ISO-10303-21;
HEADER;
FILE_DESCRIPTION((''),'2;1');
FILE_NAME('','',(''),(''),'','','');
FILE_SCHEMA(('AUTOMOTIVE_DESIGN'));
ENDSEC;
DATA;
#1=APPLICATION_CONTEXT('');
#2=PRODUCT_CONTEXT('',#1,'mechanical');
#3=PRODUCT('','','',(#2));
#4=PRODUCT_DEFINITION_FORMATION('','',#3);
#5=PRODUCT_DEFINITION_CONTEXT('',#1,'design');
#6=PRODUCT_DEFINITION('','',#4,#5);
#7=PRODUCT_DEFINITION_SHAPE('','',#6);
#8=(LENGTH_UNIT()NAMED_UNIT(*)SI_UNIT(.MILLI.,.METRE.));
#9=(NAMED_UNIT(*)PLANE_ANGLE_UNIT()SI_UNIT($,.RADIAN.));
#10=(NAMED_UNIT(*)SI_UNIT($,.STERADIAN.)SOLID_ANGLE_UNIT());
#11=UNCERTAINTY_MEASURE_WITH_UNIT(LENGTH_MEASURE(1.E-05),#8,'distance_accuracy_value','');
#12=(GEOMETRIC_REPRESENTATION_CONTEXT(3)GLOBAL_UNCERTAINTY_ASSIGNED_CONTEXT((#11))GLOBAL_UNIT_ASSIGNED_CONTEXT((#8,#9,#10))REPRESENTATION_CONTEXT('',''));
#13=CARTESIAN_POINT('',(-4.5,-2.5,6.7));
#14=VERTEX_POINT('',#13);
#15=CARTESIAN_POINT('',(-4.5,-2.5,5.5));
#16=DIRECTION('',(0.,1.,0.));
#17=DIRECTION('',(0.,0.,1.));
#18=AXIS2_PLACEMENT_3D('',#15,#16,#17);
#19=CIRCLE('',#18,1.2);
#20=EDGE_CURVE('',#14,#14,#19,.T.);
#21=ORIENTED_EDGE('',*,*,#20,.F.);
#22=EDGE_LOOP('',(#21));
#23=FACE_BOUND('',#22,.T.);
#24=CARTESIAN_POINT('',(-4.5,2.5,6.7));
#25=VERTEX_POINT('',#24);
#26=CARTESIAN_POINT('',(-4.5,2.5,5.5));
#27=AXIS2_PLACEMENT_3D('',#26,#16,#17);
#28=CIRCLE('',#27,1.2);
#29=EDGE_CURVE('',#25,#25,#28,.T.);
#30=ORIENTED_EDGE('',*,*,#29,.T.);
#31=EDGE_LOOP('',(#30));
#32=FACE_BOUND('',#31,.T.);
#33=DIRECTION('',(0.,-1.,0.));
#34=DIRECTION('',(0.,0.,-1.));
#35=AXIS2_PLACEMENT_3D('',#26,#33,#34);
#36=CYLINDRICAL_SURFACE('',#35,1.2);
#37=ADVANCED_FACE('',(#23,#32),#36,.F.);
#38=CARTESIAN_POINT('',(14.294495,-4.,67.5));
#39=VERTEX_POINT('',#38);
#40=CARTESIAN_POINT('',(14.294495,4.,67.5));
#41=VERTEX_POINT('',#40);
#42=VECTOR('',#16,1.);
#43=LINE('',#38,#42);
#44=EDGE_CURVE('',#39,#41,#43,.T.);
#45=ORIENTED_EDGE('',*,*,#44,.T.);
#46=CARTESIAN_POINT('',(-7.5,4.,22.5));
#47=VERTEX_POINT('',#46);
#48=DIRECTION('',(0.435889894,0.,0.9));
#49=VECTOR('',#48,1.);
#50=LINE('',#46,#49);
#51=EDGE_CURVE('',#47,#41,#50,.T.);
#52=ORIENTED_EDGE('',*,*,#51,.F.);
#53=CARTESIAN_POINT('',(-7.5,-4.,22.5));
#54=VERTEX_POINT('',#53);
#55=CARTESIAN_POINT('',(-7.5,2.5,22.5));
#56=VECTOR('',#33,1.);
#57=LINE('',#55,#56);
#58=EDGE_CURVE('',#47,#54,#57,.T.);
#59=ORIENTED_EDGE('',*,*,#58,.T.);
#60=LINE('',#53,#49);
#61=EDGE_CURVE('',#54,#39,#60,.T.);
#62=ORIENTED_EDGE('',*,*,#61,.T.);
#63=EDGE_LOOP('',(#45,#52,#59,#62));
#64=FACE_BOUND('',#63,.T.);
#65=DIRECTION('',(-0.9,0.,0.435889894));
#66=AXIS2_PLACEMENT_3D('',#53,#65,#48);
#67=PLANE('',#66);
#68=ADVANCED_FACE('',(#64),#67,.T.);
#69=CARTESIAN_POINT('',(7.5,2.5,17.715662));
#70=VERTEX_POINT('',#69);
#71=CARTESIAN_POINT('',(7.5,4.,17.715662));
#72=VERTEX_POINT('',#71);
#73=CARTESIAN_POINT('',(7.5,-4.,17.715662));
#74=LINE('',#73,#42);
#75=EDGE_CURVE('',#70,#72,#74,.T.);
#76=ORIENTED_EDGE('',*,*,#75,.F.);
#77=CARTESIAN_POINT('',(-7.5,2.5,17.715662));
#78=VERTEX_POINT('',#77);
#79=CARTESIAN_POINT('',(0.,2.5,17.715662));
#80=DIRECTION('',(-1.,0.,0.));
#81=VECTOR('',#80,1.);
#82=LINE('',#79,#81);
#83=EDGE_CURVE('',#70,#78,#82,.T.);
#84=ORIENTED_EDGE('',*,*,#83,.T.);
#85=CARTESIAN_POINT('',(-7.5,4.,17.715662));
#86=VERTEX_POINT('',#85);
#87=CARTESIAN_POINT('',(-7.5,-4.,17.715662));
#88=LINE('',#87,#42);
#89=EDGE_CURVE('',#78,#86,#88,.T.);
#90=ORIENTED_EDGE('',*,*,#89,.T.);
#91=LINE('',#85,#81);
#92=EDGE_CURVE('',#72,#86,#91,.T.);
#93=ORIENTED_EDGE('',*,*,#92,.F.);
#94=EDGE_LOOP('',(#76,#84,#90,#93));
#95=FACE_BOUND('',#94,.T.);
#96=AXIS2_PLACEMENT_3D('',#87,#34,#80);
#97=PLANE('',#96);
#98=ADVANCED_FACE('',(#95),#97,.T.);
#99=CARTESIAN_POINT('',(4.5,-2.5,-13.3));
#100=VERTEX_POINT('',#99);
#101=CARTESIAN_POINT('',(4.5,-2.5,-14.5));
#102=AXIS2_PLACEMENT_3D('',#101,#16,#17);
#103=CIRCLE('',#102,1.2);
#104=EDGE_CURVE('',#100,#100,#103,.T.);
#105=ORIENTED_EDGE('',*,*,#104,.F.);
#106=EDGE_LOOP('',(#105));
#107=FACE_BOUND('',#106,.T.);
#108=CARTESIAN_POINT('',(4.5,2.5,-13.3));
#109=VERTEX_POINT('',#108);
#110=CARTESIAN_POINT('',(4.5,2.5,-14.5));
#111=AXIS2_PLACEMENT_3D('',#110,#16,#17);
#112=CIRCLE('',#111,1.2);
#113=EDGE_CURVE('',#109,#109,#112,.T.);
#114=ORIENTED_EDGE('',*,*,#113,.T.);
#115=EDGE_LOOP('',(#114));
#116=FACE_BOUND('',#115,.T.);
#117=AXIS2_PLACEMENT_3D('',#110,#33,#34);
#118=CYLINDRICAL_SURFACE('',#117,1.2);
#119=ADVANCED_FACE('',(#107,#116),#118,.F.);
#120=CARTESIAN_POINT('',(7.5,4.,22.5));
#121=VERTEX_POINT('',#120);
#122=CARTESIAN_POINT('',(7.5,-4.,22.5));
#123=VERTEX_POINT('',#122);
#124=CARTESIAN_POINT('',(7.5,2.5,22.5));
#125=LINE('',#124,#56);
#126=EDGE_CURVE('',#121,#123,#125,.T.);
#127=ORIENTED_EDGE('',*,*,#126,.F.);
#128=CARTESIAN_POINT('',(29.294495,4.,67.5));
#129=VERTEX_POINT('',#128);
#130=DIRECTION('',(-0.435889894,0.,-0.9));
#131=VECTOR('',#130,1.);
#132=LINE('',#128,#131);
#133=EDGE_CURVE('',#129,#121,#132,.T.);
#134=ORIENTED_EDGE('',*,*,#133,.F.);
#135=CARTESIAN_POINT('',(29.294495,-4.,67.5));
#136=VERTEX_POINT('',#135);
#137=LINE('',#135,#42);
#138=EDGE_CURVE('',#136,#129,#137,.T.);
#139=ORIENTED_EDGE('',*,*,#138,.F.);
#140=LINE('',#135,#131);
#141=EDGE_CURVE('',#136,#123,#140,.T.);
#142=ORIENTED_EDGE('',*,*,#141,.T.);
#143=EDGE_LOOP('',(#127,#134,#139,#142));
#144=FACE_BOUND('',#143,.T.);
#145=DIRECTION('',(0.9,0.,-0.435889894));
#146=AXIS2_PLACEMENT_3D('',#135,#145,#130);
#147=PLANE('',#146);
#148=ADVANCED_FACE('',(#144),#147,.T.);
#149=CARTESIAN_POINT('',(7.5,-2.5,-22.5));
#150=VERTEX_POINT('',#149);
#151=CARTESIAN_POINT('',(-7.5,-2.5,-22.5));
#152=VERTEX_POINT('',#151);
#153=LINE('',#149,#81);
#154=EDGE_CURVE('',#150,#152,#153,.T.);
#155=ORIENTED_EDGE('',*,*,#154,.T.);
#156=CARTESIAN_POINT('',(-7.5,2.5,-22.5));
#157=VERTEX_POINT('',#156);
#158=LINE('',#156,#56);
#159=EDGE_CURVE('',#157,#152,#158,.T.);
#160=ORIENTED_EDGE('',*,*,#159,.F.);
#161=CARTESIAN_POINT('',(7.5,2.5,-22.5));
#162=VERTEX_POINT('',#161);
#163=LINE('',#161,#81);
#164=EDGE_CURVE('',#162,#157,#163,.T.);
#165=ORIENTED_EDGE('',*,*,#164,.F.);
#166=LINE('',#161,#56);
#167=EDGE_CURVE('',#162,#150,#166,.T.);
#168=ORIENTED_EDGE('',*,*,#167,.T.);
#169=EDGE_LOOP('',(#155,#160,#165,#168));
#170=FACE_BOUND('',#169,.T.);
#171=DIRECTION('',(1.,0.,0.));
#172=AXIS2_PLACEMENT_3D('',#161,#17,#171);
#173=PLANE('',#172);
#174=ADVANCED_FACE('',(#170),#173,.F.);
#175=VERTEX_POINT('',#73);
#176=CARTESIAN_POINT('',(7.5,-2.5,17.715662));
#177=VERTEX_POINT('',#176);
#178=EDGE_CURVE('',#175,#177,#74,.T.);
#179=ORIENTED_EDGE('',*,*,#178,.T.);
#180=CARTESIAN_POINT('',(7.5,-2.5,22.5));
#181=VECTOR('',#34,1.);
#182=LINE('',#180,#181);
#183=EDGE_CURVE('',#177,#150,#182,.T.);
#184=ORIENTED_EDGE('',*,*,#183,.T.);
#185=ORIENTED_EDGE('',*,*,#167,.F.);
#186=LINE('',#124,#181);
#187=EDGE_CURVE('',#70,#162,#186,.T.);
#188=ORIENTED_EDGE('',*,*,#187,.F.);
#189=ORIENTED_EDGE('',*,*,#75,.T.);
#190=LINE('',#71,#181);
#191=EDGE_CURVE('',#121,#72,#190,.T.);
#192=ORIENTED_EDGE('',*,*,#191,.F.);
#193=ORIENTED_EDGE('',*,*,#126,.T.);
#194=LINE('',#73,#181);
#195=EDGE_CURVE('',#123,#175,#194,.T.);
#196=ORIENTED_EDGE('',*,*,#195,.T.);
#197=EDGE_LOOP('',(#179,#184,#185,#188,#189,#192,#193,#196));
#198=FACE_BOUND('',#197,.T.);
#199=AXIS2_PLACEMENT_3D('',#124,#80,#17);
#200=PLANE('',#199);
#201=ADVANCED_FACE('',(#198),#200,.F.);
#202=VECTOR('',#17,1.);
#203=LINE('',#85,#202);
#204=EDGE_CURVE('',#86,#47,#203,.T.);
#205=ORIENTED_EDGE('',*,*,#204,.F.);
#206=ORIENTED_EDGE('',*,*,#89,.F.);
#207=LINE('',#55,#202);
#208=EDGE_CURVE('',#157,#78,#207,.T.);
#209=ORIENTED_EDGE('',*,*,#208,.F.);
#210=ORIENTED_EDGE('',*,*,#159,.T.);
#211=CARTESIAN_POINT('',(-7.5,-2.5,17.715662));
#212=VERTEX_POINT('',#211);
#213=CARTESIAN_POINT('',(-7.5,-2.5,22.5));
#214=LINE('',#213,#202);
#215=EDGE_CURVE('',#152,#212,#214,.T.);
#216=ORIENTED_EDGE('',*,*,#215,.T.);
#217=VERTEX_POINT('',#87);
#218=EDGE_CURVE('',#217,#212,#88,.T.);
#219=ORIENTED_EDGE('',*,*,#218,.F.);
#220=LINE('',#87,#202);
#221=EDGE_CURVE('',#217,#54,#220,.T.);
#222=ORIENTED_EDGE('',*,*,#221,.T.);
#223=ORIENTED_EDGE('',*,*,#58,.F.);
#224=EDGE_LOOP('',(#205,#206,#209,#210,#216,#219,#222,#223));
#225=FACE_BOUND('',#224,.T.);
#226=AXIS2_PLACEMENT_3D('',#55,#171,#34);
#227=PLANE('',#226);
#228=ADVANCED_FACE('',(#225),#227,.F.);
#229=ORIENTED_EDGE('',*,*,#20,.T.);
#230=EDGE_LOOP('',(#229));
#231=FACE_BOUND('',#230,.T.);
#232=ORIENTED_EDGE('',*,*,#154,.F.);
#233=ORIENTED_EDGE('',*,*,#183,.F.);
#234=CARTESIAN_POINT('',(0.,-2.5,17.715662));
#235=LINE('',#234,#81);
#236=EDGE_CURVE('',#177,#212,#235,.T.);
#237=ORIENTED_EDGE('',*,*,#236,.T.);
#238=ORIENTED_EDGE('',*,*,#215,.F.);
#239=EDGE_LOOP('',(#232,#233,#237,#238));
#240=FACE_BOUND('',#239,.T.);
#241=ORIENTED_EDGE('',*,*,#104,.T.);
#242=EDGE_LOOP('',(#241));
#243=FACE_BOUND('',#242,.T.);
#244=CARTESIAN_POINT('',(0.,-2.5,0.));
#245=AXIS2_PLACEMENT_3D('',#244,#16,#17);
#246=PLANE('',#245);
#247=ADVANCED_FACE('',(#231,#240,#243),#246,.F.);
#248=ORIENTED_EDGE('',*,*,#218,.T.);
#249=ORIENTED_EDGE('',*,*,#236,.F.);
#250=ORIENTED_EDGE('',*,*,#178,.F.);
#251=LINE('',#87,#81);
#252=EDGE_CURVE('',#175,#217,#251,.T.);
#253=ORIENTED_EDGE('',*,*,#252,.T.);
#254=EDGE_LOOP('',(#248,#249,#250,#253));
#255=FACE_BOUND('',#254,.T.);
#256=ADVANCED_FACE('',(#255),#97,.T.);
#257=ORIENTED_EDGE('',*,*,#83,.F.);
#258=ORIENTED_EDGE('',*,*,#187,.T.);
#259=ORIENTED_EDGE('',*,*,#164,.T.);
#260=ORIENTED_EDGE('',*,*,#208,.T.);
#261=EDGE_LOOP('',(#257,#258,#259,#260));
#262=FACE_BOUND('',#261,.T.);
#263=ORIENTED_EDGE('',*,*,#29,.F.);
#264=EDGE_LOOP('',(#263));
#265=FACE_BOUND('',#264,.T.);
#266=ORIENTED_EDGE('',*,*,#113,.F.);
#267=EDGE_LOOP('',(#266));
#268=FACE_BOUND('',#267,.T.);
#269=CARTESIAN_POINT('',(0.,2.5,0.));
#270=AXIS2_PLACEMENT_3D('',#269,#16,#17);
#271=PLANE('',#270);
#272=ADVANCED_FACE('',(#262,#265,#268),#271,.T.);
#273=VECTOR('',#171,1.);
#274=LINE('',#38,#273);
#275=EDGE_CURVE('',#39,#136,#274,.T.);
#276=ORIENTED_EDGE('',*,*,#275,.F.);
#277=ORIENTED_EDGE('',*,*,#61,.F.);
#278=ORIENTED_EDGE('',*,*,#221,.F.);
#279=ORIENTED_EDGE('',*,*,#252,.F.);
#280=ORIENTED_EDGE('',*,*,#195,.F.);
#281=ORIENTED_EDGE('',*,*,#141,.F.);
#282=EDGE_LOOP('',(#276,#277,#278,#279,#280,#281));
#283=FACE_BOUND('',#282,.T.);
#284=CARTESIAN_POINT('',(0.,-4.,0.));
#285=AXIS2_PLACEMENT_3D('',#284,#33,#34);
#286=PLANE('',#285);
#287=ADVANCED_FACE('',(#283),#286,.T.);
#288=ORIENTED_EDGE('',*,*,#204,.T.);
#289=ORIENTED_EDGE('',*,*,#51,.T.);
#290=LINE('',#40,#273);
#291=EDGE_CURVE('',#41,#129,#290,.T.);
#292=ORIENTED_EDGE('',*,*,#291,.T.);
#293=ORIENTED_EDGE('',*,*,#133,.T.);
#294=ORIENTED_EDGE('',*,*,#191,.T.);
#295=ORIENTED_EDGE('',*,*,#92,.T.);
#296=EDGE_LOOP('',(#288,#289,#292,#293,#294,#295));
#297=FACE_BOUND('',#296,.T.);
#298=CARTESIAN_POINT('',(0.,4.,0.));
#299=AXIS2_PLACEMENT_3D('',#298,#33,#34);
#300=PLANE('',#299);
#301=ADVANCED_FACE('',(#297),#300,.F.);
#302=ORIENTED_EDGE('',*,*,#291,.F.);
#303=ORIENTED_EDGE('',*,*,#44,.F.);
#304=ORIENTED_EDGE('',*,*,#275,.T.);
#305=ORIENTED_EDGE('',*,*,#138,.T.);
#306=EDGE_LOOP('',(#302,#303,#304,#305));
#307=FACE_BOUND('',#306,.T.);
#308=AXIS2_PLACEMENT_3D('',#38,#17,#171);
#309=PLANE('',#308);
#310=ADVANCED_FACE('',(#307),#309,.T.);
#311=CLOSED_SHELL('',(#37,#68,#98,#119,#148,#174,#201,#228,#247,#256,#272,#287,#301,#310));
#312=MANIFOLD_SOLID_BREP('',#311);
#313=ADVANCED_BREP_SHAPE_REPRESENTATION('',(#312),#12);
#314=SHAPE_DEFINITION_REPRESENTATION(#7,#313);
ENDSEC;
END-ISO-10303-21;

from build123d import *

# Parameters (mm, degrees)
SKETCH1_W           = 15
SKETCH1_H           = 45
SKETCH1_R           = 1.2
BOSS_EXTRUDE1_DEPTH = 2.5
BOSS_EXTRUDE2_DEPTH = 4


with BuildPart() as part:
    # Sketch1 → Boss-Extrude1 (new body, symmetric)
    with BuildSketch(Plane(origin=(0, 0, 0), x_dir=(1, 0, 0), z_dir=(0, 1, 0))):
        Rectangle(SKETCH1_W, SKETCH1_H)
        with Locations((-4.5, -5.5)):
            Circle(SKETCH1_R, mode=Mode.SUBTRACT)
        with Locations((4.5, 14.5)):
            Circle(SKETCH1_R, mode=Mode.SUBTRACT)
    extrude(amount=BOSS_EXTRUDE1_DEPTH, both=True)

    # Sketch4 → Boss-Extrude2 (add, symmetric)
    with BuildSketch(Plane(origin=(0, 0, 0), x_dir=(1, 0, 0), z_dir=(0, 1, 0))):
        Polygon((-7.5, -17.715662228), (-7.5, -22.5), (14.294494718, -67.5), (29.294494718, -67.5), (7.5, -22.5), (7.5, -17.715662228), align=None)
    extrude(amount=BOSS_EXTRUDE2_DEPTH, both=True)


solid = part.part
